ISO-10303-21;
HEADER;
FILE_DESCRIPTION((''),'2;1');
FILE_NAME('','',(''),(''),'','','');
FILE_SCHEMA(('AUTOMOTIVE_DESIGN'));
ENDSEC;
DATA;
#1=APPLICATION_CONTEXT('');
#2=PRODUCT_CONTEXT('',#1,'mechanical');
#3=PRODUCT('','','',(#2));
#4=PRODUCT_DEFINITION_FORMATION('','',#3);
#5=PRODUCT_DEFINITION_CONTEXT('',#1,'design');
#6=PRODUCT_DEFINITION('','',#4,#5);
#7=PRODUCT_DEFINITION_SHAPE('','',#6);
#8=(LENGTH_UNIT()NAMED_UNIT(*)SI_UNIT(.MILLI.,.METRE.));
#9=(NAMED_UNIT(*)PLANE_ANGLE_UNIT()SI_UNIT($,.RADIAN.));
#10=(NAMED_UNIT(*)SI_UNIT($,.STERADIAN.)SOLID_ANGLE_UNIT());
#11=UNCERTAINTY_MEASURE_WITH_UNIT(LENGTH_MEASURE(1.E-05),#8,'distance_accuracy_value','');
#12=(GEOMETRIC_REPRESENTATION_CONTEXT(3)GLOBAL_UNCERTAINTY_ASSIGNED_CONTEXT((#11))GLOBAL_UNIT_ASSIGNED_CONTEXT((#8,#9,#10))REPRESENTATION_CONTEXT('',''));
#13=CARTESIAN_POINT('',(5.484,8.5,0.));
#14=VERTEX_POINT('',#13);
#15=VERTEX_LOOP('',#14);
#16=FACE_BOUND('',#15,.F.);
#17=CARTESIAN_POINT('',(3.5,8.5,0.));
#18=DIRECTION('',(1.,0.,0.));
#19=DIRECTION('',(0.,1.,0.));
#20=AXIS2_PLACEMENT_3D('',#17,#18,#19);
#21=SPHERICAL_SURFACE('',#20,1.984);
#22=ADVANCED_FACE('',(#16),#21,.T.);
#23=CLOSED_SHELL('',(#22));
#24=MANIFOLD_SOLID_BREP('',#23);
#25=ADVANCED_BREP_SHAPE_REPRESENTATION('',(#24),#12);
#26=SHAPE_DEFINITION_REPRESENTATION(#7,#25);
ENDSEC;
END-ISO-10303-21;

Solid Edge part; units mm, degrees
sketch "Sketch1" plane through (0, 0, 0) normal (0, 0, 1) x (1, 0, 0)
  arc A0 (1.516, 8.5) -> (5.484, 8.5) centre (3.5, 8.5) cw
  line L0 (5.484, 8.5) -> (1.516, 8.5)
revolve "RevolvedProtrusion1" add sketch "Sketch1" angle 360 about axis through (5.484, 8.5, 0) along (-1, 0, 0)
